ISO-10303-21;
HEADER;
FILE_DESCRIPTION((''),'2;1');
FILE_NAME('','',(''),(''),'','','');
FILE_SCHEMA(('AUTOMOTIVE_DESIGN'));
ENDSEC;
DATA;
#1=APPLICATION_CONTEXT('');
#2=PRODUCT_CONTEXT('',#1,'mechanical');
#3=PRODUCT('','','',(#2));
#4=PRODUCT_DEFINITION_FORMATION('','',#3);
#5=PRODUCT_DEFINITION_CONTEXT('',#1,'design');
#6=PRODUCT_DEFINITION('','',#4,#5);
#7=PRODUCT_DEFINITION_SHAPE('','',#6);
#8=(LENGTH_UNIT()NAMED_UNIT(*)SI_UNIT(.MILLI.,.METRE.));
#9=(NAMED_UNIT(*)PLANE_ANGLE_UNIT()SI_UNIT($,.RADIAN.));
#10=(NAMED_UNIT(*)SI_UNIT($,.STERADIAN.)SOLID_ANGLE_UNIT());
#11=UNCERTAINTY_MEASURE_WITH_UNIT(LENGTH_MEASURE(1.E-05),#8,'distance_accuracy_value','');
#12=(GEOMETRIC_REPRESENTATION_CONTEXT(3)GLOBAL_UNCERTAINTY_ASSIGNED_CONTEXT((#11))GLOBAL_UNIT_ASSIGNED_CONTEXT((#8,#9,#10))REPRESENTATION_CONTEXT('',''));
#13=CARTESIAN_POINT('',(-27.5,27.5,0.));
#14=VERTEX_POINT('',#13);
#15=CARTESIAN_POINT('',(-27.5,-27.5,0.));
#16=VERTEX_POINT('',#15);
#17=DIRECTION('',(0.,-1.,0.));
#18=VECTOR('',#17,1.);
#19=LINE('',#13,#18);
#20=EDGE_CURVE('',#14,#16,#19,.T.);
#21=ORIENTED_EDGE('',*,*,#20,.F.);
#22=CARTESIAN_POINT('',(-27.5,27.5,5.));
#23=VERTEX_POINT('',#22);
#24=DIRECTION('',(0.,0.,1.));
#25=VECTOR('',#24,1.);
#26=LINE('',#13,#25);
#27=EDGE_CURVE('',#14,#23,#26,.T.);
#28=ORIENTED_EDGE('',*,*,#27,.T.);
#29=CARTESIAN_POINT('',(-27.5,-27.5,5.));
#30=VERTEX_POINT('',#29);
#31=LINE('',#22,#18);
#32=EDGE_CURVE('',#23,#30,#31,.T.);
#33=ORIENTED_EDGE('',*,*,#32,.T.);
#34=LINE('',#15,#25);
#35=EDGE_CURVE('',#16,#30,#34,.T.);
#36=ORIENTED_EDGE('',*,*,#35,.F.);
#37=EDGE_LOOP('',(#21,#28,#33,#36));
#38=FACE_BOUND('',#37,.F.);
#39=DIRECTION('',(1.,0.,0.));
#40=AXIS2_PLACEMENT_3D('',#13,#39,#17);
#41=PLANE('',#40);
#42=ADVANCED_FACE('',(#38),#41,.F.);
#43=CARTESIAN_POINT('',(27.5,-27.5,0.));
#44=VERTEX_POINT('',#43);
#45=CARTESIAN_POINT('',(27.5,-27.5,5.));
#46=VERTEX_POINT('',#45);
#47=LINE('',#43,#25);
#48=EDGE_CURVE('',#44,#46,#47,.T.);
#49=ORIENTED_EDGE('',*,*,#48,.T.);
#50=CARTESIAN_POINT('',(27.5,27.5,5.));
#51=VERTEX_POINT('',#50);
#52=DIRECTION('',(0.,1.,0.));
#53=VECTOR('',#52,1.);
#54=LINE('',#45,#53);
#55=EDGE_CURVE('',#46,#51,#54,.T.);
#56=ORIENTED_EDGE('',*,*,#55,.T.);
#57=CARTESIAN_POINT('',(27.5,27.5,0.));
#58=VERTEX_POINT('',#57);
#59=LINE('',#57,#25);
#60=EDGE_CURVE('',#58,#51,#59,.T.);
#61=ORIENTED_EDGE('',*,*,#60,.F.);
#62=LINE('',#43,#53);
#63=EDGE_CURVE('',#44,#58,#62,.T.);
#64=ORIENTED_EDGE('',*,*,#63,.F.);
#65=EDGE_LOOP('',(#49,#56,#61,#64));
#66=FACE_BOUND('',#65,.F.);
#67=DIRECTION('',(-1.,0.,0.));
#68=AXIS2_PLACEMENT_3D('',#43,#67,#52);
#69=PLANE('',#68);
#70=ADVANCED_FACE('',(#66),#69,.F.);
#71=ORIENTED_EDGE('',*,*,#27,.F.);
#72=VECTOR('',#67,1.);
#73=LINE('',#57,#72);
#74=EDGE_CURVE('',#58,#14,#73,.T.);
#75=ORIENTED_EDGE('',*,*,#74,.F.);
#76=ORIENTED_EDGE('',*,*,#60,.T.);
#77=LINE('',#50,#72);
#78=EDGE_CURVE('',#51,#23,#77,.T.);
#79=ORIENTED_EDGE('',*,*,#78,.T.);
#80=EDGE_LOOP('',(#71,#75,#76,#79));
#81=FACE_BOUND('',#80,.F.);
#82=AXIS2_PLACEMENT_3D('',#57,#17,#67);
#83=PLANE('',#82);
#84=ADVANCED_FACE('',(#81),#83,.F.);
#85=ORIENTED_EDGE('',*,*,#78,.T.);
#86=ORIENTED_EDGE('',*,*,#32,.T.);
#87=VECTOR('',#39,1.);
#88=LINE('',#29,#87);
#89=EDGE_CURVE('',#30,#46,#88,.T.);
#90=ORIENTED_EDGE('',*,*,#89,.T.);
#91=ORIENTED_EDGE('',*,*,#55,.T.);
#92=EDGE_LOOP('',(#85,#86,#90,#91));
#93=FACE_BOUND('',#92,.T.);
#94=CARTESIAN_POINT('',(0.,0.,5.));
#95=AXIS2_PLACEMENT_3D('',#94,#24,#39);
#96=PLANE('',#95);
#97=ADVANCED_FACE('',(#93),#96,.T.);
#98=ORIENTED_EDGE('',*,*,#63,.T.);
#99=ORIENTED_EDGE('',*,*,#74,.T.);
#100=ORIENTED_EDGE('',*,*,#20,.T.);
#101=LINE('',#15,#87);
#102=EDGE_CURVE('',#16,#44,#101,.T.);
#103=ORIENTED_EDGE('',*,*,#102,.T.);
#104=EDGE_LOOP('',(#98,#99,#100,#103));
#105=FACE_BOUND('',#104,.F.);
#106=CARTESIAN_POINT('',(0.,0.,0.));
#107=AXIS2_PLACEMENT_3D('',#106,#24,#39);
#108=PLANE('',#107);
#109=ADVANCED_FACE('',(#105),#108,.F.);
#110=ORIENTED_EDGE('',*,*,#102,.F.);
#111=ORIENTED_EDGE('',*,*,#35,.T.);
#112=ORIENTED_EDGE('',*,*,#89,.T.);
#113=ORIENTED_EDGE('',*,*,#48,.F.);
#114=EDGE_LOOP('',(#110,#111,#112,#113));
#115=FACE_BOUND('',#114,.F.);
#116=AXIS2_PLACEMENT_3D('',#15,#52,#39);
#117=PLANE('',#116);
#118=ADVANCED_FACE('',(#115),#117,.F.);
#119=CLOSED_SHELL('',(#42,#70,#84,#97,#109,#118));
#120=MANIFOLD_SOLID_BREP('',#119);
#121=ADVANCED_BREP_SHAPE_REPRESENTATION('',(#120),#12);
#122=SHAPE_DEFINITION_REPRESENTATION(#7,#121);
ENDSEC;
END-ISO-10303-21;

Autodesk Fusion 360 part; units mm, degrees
sketch "Sketch1" plane through (0, 0, 0) normal (0, 0, 1) x (1, 0, 0)
  line L0 (-27.5, -27.5) -> (27.5, -27.5)
  line L1 (27.5, -27.5) -> (27.5, 27.5)
  line L2 (27.5, 27.5) -> (-27.5, 27.5)
  line L3 (-27.5, 27.5) -> (-27.5, -27.5)
  line L4 (-27.5, -27.5) -> (27.5, 27.5) construction
  line L5 (27.5, -27.5) -> (-27.5, 27.5) construction
  dimension "d1" = 55
  dimension "d2" = 55
extrude "Extrude1" add sketch "Sketch1" along normal blind 5
